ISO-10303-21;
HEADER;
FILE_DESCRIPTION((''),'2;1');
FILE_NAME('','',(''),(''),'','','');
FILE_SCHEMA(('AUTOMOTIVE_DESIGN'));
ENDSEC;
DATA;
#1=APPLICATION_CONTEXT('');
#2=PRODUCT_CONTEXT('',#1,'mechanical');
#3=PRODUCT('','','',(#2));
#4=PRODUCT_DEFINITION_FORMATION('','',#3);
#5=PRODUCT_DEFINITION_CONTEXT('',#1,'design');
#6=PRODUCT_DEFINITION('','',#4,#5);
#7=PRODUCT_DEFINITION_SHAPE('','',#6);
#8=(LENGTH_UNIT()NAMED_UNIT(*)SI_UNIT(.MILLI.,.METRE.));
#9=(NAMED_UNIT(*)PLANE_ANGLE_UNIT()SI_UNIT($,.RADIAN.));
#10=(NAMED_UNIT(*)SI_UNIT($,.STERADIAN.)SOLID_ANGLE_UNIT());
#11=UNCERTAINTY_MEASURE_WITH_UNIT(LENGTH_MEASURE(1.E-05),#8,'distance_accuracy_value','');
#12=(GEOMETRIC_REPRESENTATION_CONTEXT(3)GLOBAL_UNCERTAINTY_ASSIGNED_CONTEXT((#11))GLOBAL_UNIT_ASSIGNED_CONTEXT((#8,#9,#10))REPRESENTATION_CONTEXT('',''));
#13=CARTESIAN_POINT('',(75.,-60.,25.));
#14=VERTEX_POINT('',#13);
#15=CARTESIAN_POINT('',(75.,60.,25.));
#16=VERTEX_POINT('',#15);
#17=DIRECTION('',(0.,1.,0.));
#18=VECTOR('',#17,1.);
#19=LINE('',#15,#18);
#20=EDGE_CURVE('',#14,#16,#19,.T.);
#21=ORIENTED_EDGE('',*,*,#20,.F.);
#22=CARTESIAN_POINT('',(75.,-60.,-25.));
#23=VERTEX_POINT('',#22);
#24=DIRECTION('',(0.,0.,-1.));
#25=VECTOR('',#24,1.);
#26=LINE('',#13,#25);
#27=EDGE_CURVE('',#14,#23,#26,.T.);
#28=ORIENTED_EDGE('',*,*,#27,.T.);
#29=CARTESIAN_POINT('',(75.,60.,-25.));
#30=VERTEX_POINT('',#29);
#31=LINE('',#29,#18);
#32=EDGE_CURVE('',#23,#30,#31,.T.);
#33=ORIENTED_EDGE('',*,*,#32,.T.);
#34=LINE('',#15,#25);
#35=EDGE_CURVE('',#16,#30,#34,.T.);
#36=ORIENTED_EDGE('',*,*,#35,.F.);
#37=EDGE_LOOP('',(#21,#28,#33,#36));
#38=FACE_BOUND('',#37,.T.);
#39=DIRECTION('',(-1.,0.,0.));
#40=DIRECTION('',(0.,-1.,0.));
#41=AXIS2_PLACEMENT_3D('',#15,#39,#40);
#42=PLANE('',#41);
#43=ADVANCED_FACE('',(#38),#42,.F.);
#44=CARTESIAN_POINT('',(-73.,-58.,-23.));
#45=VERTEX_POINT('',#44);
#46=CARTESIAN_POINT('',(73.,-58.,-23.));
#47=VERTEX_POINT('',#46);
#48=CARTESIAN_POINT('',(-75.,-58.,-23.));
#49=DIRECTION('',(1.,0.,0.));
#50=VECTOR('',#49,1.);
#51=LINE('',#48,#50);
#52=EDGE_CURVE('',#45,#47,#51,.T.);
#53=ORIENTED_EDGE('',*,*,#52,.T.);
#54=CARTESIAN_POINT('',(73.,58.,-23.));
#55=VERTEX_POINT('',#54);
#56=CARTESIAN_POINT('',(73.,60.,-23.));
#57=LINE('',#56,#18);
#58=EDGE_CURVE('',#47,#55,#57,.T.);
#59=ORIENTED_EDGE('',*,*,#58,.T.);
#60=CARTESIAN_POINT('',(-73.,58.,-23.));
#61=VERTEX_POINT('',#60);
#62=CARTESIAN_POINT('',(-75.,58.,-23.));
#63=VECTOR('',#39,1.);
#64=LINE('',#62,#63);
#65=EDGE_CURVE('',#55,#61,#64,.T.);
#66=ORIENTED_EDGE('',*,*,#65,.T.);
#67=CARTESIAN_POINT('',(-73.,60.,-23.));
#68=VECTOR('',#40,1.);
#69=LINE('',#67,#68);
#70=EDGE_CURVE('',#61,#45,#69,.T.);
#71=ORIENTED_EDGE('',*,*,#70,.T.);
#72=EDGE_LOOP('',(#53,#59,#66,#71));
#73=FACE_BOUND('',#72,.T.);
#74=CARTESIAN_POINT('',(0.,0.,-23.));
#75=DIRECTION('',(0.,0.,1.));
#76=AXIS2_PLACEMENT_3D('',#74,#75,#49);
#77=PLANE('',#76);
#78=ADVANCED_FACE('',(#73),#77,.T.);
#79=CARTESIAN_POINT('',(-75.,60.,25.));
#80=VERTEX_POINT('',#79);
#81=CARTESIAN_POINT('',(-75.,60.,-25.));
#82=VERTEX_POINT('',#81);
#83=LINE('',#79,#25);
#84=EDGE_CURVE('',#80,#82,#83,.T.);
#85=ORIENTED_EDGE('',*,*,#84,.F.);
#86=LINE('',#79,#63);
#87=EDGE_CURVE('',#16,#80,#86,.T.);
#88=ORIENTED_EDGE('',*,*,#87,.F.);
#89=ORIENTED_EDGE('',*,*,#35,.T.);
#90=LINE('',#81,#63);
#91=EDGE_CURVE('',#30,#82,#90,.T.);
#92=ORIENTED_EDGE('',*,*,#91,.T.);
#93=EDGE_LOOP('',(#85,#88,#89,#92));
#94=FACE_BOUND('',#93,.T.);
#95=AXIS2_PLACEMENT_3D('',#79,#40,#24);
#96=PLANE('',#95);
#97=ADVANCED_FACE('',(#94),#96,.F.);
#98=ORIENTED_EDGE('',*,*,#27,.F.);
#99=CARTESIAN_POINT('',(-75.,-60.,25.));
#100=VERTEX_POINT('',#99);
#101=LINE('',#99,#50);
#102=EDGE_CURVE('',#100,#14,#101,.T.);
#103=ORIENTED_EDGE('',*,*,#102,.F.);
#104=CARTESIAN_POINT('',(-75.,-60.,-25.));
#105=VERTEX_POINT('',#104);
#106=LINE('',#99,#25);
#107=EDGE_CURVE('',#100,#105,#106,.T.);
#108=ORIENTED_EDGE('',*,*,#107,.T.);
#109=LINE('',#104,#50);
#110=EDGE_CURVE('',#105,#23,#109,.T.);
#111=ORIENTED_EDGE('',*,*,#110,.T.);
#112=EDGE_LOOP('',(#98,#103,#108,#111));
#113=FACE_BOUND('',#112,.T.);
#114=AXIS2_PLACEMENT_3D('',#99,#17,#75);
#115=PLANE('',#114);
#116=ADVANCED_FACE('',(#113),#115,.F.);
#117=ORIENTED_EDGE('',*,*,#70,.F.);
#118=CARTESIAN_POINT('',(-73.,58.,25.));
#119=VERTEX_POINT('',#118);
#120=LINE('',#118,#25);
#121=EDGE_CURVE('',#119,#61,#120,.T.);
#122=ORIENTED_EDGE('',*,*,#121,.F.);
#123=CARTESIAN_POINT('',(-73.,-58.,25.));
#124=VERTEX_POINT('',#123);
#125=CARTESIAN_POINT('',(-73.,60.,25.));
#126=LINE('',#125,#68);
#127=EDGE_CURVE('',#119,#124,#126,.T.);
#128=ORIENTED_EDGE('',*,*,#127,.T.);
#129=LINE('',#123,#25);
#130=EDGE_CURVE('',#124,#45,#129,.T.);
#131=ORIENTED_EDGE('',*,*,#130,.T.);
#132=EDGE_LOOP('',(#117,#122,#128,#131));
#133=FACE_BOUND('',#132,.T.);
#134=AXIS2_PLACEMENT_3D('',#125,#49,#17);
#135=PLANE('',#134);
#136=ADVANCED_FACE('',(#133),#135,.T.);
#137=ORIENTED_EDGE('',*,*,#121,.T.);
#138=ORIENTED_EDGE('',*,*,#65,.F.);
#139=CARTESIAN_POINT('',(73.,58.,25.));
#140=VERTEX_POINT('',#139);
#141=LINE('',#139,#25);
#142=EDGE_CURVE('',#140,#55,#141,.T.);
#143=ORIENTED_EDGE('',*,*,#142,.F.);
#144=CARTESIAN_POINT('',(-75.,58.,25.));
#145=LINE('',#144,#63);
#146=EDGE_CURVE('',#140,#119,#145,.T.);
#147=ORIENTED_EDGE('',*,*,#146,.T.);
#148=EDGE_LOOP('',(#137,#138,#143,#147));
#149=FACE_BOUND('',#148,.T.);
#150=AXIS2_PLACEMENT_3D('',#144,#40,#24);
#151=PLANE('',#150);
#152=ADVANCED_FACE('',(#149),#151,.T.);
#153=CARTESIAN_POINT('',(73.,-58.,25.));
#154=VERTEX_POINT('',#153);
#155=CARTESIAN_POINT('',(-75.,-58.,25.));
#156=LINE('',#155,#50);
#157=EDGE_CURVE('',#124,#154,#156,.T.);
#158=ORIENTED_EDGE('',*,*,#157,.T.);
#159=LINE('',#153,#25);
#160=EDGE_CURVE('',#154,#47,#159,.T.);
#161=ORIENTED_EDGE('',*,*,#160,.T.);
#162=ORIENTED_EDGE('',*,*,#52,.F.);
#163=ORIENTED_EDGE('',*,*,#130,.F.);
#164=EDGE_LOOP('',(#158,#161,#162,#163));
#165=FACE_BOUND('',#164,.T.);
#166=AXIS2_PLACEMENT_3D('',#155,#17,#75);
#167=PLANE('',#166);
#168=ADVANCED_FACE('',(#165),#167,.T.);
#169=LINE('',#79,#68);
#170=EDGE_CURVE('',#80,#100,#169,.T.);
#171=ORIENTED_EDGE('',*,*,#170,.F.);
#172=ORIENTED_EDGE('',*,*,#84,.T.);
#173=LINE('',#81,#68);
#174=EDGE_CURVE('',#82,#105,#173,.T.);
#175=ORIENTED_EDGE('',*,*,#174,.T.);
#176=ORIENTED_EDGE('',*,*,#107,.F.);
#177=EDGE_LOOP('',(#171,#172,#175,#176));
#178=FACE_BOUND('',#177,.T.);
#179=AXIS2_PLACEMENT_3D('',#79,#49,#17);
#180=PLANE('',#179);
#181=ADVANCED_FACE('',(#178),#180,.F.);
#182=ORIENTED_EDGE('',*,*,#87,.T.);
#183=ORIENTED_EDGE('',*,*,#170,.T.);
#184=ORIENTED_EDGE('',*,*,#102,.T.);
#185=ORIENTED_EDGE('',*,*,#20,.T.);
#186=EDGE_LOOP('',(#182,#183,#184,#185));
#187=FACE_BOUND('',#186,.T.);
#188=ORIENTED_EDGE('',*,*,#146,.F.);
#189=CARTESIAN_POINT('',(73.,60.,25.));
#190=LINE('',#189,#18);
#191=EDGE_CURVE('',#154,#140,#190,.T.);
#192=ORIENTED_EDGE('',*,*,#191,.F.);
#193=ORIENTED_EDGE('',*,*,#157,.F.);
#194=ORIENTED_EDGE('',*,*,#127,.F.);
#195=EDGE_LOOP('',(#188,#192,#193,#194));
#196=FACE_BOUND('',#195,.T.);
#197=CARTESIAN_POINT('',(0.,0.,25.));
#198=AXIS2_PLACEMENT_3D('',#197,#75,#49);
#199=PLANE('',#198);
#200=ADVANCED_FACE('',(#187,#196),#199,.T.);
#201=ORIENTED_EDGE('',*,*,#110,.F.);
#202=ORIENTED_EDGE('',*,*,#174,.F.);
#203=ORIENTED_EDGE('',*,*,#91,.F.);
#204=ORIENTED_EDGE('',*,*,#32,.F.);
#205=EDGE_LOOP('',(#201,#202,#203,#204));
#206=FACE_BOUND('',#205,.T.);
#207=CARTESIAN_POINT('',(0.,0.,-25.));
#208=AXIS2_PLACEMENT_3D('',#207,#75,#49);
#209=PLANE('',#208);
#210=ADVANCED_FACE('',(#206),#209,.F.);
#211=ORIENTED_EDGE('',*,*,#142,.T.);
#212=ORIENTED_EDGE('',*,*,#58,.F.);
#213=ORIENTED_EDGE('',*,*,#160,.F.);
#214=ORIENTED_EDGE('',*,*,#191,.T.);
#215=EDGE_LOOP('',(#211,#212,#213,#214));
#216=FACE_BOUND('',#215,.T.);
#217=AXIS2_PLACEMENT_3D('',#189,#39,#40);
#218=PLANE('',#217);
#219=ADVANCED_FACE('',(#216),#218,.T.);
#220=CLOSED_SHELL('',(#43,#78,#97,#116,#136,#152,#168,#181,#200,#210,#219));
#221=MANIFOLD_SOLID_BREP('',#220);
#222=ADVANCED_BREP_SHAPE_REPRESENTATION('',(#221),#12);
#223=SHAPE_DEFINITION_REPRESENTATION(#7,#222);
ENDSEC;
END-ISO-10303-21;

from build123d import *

# Parameters (mm, degrees)
SKETCH1_W           = 150
SKETCH1_H           = 120
BOSS_EXTRUDE1_DEPTH = 25
SHELL1_T            = -2


with BuildPart() as part:
    # Sketch1 → Boss-Extrude1 (new, symmetric)
    with BuildSketch(Plane.XY):
        Rectangle(SKETCH1_W, SKETCH1_H)
    extrude(amount=BOSS_EXTRUDE1_DEPTH, both=True)

    # Shell1
    shell1_openings = [part.faces().sort_by_distance(p)[0] for p in [
        (0, 0, 25),
    ]]
    offset(amount=SHELL1_T, openings=shell1_openings, kind=Kind.INTERSECTION)


solid = part.part
